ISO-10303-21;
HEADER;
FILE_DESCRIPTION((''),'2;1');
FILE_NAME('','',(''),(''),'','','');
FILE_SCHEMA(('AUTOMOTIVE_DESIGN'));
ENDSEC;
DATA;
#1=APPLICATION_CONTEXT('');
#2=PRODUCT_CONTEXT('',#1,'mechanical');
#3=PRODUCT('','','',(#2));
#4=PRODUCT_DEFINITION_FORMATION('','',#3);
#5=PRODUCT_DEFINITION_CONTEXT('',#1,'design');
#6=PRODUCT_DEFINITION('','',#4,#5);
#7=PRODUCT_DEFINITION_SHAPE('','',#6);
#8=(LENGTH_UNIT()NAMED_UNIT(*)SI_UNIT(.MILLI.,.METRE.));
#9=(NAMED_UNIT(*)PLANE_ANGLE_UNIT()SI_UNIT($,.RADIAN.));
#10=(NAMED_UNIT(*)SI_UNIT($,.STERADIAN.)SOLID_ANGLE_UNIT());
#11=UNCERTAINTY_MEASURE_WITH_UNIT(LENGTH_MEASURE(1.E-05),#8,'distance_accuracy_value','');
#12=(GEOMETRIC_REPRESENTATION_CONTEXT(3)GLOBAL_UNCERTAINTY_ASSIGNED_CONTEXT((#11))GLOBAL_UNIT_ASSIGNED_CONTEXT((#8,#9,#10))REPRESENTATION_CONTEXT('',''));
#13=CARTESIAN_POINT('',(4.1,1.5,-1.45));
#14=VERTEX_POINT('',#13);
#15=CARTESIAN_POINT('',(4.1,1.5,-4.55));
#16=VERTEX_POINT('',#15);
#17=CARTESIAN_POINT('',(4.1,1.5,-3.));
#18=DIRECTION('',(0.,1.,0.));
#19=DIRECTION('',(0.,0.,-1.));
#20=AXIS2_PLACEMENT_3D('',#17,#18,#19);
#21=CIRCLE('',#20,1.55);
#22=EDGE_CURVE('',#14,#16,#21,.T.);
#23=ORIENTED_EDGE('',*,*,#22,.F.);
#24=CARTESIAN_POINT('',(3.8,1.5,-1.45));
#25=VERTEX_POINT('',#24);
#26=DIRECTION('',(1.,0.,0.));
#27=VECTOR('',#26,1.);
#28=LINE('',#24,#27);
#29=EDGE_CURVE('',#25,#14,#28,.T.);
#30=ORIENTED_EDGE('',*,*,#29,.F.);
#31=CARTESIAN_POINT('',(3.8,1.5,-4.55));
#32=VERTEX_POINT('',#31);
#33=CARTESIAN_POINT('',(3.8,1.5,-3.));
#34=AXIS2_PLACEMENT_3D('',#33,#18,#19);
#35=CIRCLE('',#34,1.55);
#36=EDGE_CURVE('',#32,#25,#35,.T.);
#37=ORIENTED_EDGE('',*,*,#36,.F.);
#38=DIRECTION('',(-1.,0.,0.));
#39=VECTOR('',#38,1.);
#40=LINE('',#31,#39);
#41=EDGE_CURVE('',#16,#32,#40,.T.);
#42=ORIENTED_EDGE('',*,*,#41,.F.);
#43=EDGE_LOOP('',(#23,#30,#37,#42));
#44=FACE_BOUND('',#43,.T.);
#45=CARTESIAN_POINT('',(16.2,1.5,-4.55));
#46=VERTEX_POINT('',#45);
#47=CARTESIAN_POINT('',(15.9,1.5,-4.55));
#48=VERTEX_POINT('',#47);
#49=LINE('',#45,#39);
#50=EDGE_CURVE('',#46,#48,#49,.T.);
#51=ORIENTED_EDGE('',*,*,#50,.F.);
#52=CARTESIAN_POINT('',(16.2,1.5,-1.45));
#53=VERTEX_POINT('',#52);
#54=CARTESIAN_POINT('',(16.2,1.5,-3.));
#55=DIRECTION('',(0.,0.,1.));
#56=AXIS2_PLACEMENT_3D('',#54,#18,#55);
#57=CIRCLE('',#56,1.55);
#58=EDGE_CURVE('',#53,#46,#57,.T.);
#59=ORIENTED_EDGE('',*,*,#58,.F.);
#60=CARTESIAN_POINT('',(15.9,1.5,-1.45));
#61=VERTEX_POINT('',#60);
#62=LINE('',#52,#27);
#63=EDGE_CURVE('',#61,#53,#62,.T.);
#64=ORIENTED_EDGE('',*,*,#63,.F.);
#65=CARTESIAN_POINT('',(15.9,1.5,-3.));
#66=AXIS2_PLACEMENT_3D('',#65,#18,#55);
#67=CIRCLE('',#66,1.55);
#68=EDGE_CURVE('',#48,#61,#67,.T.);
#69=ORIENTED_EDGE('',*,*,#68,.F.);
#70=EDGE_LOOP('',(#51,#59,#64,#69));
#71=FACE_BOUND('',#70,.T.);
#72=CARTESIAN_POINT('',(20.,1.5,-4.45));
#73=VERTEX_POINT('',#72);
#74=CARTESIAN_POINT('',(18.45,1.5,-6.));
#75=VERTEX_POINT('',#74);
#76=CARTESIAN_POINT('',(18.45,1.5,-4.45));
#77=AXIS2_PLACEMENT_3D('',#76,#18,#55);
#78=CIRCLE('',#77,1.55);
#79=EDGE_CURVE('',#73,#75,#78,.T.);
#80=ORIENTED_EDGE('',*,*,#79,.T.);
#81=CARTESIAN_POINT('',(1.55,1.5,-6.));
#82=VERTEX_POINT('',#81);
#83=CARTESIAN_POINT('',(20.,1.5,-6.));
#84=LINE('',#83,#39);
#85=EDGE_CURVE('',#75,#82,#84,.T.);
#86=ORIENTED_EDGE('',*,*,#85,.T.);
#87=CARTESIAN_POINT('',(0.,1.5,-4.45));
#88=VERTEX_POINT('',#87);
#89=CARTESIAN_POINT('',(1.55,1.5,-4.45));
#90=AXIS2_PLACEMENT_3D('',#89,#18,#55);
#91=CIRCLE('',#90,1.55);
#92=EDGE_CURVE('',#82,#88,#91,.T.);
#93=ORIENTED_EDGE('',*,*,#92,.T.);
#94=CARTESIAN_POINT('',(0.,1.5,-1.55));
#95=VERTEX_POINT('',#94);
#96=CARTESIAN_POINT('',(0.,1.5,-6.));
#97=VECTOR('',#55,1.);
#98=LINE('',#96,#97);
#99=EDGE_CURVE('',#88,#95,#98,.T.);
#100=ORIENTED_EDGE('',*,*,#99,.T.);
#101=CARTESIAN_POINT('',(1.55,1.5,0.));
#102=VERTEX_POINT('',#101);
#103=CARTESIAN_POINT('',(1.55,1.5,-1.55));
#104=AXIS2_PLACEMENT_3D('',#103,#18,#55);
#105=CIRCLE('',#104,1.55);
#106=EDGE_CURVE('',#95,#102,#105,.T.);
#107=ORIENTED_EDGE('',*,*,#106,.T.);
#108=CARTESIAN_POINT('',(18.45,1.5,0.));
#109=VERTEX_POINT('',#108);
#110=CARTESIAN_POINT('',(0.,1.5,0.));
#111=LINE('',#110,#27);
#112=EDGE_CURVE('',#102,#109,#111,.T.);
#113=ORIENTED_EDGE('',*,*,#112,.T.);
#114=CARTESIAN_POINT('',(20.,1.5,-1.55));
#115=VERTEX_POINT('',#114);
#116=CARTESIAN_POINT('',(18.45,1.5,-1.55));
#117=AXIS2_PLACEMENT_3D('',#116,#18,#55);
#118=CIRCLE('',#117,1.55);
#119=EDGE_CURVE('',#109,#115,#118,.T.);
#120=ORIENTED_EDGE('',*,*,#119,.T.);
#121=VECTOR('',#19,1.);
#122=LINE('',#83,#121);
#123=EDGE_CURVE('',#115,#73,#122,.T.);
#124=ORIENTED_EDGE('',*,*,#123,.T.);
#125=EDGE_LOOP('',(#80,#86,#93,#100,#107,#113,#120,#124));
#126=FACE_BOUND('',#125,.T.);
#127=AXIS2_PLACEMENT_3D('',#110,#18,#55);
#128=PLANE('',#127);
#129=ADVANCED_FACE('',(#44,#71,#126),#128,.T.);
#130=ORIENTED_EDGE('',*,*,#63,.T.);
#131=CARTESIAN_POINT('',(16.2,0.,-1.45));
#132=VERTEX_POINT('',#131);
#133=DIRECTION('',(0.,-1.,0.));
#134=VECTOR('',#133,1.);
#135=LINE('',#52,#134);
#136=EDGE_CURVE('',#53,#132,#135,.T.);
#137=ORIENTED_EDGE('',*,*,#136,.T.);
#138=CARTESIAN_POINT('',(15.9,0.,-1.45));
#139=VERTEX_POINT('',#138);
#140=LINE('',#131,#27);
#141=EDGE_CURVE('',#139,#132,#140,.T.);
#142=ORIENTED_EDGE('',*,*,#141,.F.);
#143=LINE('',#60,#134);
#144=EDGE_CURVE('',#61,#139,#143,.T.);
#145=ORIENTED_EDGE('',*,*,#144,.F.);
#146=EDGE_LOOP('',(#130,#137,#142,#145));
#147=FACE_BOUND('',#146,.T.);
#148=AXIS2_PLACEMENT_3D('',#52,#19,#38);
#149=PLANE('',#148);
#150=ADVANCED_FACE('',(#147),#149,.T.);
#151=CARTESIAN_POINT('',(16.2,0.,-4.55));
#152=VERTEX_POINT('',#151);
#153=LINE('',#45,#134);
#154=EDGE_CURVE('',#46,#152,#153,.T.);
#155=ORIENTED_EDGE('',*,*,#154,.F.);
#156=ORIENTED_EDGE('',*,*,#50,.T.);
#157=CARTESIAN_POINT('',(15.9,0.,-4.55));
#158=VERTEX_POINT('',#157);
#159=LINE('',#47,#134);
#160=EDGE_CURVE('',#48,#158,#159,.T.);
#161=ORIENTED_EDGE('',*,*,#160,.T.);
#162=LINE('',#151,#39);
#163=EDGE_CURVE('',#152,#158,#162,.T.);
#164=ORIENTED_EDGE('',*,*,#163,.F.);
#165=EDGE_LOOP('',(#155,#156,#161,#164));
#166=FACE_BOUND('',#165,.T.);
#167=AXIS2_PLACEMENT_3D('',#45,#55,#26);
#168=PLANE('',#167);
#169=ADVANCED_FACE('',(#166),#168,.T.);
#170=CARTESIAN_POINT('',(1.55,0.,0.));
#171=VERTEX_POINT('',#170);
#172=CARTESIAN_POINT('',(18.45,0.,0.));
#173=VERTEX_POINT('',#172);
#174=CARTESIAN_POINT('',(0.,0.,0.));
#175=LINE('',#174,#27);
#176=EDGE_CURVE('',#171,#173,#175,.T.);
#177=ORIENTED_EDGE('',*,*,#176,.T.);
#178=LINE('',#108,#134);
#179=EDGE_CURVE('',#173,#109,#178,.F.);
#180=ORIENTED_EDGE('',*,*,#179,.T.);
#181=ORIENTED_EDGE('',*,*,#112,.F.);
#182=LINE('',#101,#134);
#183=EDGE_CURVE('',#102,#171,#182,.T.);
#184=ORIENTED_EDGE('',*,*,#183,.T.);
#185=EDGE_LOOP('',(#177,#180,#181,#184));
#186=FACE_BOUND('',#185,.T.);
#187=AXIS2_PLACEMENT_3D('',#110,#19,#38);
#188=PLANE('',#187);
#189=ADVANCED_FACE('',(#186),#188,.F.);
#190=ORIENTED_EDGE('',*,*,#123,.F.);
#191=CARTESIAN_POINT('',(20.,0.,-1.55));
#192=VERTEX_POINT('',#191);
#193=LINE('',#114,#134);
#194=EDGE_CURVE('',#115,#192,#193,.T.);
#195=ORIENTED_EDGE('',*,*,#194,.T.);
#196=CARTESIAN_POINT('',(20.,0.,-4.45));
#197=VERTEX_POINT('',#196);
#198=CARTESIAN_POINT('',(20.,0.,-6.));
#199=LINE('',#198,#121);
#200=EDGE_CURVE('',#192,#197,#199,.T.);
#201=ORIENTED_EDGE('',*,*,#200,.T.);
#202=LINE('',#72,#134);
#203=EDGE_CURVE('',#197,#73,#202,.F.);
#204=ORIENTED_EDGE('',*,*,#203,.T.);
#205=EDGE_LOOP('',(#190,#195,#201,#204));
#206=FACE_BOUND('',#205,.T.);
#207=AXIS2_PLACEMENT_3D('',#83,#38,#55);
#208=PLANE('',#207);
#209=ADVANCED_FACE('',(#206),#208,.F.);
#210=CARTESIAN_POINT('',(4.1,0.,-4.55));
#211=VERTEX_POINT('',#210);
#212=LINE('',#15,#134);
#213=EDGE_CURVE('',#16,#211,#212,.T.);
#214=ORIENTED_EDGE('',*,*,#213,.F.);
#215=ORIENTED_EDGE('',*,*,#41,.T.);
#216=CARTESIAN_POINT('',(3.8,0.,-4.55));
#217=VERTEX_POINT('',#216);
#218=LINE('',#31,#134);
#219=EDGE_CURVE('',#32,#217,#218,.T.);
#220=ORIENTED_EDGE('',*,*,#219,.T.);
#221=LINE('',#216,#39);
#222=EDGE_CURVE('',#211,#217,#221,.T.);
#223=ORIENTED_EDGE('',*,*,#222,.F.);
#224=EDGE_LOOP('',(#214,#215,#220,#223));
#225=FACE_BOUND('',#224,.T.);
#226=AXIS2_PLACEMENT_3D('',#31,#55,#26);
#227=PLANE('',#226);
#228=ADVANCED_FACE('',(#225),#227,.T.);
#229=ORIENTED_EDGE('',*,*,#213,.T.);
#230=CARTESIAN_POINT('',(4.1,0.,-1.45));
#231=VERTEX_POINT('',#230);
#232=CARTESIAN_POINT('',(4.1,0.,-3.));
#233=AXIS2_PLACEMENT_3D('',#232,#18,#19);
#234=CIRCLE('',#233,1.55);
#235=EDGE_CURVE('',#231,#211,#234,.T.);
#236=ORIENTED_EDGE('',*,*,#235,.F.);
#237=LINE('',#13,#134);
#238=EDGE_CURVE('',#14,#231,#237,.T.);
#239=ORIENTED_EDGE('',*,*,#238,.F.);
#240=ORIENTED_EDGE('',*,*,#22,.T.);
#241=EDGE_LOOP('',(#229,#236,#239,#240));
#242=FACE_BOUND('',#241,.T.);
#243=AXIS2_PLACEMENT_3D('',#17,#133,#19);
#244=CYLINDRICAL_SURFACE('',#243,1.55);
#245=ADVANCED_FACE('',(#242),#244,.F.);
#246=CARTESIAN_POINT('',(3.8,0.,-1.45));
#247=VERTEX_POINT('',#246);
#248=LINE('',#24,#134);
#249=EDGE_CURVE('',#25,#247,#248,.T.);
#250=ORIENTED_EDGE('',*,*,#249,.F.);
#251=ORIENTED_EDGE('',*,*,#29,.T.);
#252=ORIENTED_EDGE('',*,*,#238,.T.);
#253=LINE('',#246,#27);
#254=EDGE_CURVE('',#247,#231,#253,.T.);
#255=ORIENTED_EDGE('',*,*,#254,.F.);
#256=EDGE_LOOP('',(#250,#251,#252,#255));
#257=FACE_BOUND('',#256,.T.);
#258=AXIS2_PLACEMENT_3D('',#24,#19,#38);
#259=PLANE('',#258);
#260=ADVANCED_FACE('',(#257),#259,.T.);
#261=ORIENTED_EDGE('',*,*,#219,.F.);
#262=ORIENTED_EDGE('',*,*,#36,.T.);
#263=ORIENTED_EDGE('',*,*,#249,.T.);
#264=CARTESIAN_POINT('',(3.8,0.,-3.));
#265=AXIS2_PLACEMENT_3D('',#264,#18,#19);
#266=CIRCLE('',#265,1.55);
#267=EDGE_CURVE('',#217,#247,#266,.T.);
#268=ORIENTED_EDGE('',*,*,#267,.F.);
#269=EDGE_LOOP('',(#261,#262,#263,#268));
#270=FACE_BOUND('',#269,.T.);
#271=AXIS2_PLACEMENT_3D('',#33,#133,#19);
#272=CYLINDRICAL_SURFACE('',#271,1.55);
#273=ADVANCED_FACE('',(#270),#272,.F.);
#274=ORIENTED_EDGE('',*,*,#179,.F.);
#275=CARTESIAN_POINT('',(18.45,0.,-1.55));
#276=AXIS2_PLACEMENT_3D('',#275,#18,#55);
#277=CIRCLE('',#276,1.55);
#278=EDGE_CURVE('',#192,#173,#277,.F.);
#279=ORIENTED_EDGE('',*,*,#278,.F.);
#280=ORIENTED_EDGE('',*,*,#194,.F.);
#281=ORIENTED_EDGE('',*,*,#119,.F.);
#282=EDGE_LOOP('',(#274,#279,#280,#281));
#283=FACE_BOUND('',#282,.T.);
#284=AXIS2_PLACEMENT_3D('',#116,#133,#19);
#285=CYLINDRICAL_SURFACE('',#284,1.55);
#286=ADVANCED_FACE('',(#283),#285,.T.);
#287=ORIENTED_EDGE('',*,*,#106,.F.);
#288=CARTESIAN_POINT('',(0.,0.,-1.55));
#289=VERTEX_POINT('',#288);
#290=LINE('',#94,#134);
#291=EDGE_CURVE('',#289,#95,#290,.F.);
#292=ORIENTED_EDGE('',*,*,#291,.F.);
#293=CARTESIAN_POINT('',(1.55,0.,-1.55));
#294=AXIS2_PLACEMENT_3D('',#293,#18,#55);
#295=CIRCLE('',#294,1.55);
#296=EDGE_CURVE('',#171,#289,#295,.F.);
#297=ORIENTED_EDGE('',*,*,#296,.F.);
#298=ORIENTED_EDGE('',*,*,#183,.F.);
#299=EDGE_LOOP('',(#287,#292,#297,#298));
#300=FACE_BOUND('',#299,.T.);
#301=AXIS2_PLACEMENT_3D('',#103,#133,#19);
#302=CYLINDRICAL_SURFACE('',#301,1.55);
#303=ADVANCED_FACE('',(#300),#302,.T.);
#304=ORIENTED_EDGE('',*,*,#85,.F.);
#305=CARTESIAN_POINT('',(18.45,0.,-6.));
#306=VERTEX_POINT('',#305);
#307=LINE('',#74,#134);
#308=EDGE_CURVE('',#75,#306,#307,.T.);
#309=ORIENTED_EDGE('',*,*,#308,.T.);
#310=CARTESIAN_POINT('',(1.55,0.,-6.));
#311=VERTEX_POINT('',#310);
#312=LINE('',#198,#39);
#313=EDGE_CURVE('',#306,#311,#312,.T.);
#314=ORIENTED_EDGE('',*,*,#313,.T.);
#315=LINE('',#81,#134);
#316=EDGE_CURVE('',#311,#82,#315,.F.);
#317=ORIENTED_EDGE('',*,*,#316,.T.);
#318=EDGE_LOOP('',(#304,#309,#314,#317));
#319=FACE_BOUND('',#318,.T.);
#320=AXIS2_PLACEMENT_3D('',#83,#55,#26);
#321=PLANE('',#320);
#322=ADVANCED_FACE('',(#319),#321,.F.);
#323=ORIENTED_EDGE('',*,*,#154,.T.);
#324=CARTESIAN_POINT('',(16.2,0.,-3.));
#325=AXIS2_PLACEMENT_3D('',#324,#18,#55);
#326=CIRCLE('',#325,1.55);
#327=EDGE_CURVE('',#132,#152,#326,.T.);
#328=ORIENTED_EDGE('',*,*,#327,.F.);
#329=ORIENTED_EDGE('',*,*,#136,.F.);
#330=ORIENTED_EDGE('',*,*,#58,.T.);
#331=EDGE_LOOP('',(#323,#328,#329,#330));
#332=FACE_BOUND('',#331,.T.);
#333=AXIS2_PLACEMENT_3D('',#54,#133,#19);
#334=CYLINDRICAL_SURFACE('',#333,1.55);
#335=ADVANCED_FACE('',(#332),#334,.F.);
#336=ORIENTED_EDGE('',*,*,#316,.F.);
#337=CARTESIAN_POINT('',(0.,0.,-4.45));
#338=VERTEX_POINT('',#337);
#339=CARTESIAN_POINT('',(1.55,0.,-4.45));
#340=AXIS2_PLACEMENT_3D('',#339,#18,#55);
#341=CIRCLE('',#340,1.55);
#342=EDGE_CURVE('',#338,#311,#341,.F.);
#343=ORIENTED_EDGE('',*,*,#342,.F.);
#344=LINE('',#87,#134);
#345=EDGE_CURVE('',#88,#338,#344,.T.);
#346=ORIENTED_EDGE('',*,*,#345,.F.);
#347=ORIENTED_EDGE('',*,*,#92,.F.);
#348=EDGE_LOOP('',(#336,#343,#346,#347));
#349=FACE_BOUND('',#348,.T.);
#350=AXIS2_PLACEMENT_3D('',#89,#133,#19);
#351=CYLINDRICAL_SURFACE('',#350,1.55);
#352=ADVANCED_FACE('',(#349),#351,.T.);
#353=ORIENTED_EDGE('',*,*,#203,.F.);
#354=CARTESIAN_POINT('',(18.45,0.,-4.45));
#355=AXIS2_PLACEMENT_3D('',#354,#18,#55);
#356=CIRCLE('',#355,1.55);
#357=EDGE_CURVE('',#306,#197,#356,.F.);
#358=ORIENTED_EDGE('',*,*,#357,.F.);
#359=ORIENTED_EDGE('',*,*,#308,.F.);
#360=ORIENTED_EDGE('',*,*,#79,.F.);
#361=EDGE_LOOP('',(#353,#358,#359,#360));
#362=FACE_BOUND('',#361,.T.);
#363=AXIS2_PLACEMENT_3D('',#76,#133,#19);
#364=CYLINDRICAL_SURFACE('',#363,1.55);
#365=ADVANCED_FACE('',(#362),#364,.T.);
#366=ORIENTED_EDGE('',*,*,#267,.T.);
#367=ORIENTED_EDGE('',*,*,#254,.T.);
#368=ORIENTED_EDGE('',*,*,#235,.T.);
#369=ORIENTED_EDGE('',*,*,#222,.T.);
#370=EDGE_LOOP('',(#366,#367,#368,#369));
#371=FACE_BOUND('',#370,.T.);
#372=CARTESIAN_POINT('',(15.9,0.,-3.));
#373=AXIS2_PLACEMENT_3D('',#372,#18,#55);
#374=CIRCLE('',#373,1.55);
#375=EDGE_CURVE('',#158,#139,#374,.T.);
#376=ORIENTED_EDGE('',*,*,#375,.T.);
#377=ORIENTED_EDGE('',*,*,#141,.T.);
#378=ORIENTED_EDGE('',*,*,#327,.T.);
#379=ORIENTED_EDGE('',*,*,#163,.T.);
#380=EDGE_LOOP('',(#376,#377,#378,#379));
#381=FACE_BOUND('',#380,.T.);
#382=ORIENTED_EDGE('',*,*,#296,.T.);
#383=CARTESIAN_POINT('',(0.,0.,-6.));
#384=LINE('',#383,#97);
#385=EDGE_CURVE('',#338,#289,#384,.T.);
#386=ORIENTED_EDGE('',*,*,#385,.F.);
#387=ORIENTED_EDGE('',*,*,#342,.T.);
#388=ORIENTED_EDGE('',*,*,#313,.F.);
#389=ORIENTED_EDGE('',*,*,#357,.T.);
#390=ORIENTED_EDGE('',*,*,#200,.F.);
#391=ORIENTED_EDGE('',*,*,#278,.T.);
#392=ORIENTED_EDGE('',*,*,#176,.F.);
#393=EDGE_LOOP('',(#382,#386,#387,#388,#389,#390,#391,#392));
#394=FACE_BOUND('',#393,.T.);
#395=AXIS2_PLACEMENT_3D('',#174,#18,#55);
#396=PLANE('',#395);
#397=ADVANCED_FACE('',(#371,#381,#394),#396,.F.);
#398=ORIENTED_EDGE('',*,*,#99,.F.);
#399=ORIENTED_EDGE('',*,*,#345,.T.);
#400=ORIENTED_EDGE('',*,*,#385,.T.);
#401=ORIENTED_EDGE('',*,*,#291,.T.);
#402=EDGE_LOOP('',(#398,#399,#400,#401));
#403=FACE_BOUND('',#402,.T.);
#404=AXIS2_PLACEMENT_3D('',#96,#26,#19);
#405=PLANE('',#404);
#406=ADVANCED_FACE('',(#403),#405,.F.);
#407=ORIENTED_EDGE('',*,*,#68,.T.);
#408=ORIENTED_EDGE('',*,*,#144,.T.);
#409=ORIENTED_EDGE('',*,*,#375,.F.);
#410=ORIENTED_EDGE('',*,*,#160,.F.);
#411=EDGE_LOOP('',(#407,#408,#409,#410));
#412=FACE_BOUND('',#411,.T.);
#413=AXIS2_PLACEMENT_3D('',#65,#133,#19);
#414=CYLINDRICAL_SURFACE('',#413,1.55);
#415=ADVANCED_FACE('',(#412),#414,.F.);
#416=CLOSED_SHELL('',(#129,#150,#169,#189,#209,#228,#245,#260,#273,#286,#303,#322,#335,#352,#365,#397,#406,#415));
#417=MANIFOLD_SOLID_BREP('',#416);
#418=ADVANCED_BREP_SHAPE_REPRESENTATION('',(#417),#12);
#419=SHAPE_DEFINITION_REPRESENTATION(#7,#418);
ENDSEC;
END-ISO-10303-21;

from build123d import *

# Parameters (mm, degrees)
SKETCH_1_W      = 20
SKETCH_1_H      = 6
EXTRUDE_1_DEPTH = 1.5
FILLET_1_R      = 1.55


with BuildPart() as part:
    # 草图1 → 凸台-拉伸1 (new body)
    with BuildSketch(Plane(origin=(0, 0, 0), x_dir=(1, 0, 0), z_dir=(0, 1, 0))):
        with Locations((10, 3)):
            Rectangle(SKETCH_1_W, SKETCH_1_H)
        with BuildLine():
            Line((16.2, 1.45), (15.9, 1.45))
            ThreePointArc((15.9, 1.45), (14.35, 3), (15.9, 4.55))
            Line((15.9, 4.55), (16.2, 4.55))
            ThreePointArc((16.2, 4.55), (17.75, 3), (16.2, 1.45))
        make_face(mode=Mode.SUBTRACT)
        with BuildLine():
            Line((3.8, 1.45), (4.1, 1.45))
            ThreePointArc((4.1, 1.45), (5.65, 3), (4.1, 4.55))
            Line((4.1, 4.55), (3.8, 4.55))
            ThreePointArc((3.8, 4.55), (2.25, 3), (3.8, 1.45))
        make_face(mode=Mode.SUBTRACT)
    extrude(amount=EXTRUDE_1_DEPTH)

    # 圆角1
    fillet_1_edges = [part.edges().sort_by_distance(p)[0] for p in [
        (0, 0.75, -6),
        (20, 0.75, -6),
        (20, 0.75, 0),
        (0, 0.75, 0),
    ]]
    fillet(fillet_1_edges, radius=FILLET_1_R)


solid = part.part
